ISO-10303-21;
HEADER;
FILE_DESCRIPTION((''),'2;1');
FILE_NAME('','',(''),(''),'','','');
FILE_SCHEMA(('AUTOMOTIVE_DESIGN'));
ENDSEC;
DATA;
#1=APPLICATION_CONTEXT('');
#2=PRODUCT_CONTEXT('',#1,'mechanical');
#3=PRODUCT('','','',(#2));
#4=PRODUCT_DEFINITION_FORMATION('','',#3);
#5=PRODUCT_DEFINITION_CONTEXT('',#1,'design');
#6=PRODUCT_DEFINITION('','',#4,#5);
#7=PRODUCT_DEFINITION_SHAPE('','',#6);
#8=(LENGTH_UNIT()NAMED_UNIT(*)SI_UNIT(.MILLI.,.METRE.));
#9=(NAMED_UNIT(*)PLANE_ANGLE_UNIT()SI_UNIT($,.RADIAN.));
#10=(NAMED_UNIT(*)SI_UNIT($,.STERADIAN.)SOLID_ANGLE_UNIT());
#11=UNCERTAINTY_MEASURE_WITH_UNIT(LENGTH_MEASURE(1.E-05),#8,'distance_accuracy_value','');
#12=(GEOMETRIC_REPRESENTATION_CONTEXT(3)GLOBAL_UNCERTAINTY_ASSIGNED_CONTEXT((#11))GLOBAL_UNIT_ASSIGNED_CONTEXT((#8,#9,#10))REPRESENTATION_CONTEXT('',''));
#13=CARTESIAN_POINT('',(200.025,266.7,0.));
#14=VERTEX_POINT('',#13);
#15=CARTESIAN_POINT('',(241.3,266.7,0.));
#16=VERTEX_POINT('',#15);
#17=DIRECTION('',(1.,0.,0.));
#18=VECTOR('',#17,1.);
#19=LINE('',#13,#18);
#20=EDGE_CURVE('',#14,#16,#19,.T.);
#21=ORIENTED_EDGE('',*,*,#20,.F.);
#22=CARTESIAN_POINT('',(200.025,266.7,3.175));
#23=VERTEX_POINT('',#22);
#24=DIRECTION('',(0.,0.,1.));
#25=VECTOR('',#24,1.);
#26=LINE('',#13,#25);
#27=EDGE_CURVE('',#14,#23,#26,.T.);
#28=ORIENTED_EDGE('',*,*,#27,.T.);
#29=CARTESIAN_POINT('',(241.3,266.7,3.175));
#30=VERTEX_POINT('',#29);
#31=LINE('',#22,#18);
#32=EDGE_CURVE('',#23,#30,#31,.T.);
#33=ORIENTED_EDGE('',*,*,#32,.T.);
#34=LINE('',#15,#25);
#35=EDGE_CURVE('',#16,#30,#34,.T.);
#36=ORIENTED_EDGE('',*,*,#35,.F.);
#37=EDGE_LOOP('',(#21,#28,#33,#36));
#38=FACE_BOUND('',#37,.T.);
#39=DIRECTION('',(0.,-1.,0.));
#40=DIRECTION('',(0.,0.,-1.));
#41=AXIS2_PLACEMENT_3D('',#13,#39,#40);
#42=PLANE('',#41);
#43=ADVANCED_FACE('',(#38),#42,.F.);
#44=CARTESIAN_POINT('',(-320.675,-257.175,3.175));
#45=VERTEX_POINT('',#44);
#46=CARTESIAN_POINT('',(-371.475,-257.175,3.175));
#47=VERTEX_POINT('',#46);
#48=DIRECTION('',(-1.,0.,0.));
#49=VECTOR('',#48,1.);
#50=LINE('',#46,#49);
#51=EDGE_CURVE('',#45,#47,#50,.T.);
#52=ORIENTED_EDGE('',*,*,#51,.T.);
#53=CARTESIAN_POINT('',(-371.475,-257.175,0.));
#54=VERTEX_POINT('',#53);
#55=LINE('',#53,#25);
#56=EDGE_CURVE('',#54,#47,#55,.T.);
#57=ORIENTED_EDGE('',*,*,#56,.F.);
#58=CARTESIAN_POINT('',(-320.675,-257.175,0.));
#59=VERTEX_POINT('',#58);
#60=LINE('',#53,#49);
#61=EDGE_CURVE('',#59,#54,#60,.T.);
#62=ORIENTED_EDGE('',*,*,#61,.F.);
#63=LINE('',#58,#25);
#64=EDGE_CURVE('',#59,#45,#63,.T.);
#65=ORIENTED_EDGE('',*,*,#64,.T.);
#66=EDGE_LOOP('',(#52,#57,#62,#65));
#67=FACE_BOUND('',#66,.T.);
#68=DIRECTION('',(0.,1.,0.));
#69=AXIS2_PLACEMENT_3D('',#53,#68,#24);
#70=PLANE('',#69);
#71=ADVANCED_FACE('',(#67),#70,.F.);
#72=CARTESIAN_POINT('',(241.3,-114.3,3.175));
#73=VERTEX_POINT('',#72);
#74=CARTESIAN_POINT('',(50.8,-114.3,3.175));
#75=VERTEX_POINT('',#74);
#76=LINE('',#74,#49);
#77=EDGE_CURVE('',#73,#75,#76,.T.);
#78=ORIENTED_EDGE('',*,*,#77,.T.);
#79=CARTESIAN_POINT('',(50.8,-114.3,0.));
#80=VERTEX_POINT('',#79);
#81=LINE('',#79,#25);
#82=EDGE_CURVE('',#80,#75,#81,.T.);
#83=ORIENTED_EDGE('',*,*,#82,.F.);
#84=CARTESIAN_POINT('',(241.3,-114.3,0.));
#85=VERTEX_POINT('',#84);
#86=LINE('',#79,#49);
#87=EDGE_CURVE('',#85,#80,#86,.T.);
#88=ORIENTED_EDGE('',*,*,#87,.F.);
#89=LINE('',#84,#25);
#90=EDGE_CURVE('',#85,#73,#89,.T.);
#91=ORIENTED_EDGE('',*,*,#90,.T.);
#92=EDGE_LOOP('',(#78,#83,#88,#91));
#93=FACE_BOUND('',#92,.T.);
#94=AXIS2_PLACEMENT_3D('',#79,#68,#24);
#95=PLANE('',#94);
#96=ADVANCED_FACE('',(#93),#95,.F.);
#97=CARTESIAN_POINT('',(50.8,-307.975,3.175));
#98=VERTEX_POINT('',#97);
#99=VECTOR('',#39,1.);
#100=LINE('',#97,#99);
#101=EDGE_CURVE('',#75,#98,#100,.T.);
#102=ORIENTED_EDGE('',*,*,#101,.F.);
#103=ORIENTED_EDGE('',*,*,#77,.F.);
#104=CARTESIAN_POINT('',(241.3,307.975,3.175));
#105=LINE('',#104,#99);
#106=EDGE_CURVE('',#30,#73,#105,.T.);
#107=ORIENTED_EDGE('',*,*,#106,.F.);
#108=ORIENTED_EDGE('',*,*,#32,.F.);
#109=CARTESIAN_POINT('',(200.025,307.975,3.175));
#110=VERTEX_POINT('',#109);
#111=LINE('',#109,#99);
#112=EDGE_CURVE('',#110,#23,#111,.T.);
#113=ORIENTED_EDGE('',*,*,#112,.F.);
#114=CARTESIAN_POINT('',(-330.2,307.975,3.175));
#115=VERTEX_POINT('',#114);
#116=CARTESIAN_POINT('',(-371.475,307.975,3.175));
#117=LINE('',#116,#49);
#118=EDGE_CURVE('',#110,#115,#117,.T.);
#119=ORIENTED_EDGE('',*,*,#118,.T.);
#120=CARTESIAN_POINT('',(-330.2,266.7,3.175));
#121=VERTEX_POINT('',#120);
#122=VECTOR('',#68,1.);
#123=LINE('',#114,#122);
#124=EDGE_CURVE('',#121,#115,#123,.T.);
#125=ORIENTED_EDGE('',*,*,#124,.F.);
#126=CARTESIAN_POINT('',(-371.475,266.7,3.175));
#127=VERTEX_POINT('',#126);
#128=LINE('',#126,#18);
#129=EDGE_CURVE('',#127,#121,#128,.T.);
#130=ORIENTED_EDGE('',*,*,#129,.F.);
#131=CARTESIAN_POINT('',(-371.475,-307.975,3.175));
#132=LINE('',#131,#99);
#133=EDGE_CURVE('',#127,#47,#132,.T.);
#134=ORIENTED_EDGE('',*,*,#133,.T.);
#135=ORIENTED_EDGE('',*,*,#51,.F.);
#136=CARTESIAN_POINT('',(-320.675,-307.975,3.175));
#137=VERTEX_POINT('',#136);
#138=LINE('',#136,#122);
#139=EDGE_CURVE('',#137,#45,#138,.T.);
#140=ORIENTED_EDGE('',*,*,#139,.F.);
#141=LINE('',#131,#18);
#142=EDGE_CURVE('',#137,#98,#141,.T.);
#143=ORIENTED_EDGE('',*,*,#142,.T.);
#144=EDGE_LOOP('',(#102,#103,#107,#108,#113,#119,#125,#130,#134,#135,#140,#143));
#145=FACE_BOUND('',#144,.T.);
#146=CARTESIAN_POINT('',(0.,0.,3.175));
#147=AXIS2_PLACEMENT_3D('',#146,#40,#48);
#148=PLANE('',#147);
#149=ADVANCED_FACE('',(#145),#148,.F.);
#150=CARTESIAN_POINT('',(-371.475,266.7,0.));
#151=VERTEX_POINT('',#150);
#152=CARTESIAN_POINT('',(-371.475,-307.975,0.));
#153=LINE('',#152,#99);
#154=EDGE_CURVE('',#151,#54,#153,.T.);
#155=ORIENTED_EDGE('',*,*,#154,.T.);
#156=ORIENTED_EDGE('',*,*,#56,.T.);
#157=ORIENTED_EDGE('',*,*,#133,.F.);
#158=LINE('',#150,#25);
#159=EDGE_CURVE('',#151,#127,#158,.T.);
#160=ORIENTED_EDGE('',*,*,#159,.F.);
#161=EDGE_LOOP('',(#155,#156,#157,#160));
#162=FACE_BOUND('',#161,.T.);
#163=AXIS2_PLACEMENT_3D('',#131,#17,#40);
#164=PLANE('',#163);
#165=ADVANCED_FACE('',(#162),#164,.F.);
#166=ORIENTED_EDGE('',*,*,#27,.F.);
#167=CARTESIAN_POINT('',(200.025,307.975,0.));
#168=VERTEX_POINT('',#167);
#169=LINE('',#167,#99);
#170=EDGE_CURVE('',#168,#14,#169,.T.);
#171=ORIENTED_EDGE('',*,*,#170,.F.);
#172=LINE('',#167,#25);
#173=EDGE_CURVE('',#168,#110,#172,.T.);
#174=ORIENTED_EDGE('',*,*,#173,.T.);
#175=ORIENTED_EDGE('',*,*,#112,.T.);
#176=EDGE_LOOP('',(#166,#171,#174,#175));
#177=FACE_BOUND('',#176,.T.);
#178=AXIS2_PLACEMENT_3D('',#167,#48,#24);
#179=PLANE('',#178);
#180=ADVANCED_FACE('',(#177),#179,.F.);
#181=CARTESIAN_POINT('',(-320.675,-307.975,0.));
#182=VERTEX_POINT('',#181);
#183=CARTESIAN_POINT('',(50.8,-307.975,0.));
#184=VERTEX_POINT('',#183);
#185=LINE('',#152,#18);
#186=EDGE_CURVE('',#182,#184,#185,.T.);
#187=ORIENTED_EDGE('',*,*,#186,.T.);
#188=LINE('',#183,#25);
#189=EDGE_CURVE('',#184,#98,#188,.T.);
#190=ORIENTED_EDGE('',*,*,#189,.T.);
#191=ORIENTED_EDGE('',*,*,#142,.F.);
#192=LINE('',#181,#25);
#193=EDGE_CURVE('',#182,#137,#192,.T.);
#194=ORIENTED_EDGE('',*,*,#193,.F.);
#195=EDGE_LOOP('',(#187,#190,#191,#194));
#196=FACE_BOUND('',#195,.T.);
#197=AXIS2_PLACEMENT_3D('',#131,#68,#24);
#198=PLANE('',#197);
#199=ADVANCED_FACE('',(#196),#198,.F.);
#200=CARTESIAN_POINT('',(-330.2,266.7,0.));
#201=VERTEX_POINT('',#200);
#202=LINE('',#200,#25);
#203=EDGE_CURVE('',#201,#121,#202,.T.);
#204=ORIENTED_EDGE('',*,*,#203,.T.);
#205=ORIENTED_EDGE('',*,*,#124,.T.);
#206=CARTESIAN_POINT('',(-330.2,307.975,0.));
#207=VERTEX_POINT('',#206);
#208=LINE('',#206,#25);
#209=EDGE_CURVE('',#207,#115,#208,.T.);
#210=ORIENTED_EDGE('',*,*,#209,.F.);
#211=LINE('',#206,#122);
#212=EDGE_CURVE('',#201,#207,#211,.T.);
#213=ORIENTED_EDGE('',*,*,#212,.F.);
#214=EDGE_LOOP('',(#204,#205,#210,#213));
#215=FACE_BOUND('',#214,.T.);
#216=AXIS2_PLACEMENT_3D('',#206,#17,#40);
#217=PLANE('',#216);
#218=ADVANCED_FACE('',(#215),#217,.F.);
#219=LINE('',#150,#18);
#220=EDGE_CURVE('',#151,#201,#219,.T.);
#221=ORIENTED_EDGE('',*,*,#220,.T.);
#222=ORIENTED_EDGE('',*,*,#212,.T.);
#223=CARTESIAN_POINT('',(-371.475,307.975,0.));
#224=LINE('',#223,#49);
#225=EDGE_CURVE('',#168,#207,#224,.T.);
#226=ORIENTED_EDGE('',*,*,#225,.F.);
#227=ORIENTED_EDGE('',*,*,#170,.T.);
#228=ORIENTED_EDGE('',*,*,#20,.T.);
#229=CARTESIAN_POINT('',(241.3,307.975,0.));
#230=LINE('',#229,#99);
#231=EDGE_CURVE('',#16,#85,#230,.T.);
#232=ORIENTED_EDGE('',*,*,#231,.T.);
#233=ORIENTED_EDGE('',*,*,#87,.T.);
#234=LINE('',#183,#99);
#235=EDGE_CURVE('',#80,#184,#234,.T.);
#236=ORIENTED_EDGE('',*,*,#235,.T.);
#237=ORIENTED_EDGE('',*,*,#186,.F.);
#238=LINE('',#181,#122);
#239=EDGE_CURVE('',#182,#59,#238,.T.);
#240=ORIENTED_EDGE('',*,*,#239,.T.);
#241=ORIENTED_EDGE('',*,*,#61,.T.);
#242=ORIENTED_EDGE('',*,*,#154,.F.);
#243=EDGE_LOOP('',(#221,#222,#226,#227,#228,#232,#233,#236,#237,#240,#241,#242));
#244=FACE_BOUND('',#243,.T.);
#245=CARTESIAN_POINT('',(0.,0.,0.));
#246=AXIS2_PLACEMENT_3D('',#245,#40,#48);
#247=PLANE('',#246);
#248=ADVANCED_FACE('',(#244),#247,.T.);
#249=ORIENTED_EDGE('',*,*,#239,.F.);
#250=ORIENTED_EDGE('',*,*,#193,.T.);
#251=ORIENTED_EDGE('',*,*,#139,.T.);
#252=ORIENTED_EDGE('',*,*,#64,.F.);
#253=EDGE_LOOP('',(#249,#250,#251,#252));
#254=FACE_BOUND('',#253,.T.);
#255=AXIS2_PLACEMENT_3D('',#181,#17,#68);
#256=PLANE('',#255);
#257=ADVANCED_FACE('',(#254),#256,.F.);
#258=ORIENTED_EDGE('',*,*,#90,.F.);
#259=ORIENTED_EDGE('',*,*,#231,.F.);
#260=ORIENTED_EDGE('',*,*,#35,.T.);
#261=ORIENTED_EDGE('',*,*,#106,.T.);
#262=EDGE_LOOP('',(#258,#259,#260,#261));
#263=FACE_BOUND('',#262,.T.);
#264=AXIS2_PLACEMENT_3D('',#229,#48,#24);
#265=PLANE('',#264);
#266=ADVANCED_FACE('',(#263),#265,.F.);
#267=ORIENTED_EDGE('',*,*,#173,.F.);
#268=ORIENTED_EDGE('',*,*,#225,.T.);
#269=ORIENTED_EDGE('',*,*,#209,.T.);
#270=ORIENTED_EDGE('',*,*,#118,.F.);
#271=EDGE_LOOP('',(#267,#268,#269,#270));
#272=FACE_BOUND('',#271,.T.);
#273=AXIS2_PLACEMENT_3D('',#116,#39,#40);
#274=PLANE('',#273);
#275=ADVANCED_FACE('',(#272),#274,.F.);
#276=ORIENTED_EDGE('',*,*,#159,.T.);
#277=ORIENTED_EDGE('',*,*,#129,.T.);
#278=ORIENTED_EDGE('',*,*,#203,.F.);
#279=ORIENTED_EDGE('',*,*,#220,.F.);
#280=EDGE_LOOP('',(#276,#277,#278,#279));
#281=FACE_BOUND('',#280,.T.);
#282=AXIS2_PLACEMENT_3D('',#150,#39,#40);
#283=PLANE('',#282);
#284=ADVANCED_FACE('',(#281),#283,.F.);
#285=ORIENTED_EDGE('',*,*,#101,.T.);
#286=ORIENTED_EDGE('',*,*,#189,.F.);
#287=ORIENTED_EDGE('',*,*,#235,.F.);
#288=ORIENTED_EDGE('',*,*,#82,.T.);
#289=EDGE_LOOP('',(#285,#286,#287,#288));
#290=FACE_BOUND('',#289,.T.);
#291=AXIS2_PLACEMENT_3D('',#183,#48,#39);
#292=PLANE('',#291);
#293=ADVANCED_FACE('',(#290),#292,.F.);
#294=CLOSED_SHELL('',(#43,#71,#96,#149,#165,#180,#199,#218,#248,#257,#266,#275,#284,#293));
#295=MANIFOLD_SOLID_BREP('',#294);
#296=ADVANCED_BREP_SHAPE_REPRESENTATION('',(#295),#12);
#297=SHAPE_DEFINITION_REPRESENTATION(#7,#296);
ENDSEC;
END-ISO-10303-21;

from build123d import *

# Parameters (mm, degrees)
SKETCH1_W           = 742.95
SKETCH1_H           = 615.95
BOSS_EXTRUDE1_DEPTH = 3.175
SKETCH2_W           = 41.275
SKETCH2_H           = 41.275
SKETCH2_W_2         = 50.8
SKETCH2_H_2         = 50.8
SKETCH2_W_3         = 190.5
SKETCH2_H_3         = 193.675
CUT_EXTRUDE1_DEPTH  = 483.54777678
SKETCH3_W           = 130.175
SKETCH3_H           = 615.95
CUT_EXTRUDE2_DEPTH  = 483.54777678


with BuildPart() as part:
    # Sketch1 → Boss-Extrude1 (new body)
    with BuildSketch(Plane.XY):
        Rectangle(SKETCH1_W, SKETCH1_H)
    extrude(amount=BOSS_EXTRUDE1_DEPTH)

    # Sketch2 → Cut-Extrude1 (cut, through all)
    with BuildSketch(Plane.XY.offset(3.175)):
        with Locations((-350.8375, 287.3375)):
            Rectangle(SKETCH2_W, SKETCH2_H)
        with Locations((-346.075, -282.575)):
            Rectangle(SKETCH2_W_2, SKETCH2_H_2)
        with Locations((220.6625, 287.3375)):
            Rectangle(SKETCH2_W, SKETCH2_H)
        with Locations((146.05, -211.1375)):
            Rectangle(SKETCH2_W_3, SKETCH2_H_3)
    extrude(amount=-CUT_EXTRUDE1_DEPTH, mode=Mode.SUBTRACT)

    # Sketch3 → Cut-Extrude2 (cut, through all)
    with BuildSketch(Plane.XY.offset(3.175)):
        with Locations((306.3875, 0)):
            Rectangle(SKETCH3_W, SKETCH3_H)
    extrude(amount=-CUT_EXTRUDE2_DEPTH, mode=Mode.SUBTRACT)


solid = part.part
